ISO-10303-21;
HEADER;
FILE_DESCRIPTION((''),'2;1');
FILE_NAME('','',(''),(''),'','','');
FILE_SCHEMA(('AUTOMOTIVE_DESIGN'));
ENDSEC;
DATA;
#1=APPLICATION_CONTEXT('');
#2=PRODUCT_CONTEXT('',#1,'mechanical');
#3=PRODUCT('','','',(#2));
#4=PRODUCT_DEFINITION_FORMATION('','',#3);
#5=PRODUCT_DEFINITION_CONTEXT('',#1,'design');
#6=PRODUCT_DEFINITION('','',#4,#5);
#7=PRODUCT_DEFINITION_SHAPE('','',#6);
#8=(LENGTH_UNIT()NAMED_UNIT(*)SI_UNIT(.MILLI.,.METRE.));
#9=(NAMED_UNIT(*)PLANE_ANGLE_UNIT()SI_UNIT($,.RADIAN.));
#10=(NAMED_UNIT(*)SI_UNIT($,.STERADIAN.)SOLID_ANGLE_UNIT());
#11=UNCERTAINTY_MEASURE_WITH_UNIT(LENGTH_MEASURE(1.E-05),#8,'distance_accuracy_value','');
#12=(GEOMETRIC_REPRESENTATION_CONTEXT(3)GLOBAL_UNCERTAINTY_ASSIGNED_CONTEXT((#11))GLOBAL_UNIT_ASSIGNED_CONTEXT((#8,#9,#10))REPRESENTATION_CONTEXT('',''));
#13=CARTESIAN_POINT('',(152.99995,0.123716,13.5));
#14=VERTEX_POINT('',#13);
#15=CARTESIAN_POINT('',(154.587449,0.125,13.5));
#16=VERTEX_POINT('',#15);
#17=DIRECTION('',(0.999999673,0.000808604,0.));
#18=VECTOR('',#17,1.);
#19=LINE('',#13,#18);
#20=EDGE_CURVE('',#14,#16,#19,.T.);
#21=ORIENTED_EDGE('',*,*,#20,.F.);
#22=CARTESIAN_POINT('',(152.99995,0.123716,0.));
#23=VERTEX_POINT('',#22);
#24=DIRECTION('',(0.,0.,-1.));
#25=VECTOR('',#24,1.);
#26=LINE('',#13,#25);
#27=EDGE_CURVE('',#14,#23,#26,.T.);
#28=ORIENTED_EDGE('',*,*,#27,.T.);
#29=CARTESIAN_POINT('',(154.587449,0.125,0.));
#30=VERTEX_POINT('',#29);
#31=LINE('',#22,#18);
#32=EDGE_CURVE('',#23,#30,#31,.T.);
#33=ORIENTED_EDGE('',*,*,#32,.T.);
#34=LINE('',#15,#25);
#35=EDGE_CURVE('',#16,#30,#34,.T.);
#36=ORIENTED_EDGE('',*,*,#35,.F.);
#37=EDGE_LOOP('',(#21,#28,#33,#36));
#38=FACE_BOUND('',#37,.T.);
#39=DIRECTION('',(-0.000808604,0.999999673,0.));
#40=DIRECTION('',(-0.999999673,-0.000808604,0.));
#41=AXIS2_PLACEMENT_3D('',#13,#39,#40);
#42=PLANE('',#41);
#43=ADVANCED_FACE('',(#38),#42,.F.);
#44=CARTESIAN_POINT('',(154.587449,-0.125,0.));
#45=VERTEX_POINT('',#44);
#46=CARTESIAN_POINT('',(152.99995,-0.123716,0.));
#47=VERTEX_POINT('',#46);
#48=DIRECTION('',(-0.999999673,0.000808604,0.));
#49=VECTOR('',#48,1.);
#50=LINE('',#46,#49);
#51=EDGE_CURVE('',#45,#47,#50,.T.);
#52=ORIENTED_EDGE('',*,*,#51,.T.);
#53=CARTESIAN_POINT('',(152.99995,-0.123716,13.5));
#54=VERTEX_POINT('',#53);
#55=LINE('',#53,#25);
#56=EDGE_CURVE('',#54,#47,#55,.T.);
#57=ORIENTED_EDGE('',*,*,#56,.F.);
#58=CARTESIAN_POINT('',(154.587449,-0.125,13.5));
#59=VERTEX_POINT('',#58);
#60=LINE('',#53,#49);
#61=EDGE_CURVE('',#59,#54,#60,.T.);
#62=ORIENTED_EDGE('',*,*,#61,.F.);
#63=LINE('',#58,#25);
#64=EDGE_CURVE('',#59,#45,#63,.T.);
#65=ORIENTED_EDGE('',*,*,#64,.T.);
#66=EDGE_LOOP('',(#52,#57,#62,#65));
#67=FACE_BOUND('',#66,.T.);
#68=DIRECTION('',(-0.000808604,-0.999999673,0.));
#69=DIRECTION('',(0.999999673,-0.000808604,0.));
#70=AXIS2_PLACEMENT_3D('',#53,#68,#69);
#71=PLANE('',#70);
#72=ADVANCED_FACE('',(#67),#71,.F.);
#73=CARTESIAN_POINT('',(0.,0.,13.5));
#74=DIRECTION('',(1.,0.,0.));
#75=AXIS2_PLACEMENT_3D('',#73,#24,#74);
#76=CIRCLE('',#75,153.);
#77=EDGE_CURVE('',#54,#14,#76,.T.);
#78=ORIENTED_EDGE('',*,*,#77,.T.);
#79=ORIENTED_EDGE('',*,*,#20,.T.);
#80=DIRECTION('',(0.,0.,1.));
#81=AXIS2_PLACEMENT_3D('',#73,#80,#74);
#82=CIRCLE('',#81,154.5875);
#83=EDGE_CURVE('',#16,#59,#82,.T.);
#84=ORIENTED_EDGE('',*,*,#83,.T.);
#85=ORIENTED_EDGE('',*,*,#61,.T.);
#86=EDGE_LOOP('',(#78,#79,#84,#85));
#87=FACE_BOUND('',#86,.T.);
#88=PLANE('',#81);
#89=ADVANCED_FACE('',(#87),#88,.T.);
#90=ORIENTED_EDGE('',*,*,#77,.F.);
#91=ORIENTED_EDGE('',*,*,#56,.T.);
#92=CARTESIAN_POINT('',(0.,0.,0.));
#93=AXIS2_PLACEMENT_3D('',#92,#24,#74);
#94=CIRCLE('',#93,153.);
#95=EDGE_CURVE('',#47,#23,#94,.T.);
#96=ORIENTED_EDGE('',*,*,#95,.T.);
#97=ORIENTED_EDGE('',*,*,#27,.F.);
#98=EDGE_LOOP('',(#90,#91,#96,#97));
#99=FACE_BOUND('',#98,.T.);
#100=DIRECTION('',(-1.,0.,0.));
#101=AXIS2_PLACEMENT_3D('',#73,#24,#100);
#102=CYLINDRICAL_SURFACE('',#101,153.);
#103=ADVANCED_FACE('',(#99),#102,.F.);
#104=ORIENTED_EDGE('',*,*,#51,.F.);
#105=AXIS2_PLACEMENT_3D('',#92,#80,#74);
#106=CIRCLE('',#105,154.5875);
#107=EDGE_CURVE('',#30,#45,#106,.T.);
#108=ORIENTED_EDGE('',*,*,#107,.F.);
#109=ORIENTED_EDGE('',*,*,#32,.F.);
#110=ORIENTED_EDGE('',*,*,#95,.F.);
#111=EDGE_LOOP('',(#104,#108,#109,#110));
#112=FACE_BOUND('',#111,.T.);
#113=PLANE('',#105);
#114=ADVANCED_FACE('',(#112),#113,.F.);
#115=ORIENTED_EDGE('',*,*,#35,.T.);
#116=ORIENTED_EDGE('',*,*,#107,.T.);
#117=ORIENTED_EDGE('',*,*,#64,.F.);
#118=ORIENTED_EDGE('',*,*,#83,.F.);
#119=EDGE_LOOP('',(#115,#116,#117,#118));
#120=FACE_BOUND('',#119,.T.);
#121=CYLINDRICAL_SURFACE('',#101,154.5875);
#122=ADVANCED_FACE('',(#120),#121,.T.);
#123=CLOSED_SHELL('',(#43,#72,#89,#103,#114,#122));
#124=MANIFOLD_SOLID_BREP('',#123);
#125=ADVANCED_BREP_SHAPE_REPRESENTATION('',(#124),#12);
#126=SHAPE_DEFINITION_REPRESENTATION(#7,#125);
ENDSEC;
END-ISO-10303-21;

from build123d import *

# Parameters (mm, degrees)
BOSS_EXTRU_1_DEPTH = 13.5


with BuildPart() as part:
    # Esquisse1 → Boss.-Extru.1 (new body)
    with BuildSketch(Plane.XY):
        with BuildLine():
            Line((152.999949981, 0.123716342), (154.587449462, 0.125))
            ThreePointArc((154.587449462, 0.125), (-154.5875, 0), (154.587449462, -0.125))
            Line((154.587449462, -0.125), (152.999949981, -0.123716342))
            ThreePointArc((152.999949981, -0.123716342), (-153, 0), (152.999949981, 0.123716342))
        make_face()
    extrude(amount=BOSS_EXTRU_1_DEPTH)


solid = part.part
